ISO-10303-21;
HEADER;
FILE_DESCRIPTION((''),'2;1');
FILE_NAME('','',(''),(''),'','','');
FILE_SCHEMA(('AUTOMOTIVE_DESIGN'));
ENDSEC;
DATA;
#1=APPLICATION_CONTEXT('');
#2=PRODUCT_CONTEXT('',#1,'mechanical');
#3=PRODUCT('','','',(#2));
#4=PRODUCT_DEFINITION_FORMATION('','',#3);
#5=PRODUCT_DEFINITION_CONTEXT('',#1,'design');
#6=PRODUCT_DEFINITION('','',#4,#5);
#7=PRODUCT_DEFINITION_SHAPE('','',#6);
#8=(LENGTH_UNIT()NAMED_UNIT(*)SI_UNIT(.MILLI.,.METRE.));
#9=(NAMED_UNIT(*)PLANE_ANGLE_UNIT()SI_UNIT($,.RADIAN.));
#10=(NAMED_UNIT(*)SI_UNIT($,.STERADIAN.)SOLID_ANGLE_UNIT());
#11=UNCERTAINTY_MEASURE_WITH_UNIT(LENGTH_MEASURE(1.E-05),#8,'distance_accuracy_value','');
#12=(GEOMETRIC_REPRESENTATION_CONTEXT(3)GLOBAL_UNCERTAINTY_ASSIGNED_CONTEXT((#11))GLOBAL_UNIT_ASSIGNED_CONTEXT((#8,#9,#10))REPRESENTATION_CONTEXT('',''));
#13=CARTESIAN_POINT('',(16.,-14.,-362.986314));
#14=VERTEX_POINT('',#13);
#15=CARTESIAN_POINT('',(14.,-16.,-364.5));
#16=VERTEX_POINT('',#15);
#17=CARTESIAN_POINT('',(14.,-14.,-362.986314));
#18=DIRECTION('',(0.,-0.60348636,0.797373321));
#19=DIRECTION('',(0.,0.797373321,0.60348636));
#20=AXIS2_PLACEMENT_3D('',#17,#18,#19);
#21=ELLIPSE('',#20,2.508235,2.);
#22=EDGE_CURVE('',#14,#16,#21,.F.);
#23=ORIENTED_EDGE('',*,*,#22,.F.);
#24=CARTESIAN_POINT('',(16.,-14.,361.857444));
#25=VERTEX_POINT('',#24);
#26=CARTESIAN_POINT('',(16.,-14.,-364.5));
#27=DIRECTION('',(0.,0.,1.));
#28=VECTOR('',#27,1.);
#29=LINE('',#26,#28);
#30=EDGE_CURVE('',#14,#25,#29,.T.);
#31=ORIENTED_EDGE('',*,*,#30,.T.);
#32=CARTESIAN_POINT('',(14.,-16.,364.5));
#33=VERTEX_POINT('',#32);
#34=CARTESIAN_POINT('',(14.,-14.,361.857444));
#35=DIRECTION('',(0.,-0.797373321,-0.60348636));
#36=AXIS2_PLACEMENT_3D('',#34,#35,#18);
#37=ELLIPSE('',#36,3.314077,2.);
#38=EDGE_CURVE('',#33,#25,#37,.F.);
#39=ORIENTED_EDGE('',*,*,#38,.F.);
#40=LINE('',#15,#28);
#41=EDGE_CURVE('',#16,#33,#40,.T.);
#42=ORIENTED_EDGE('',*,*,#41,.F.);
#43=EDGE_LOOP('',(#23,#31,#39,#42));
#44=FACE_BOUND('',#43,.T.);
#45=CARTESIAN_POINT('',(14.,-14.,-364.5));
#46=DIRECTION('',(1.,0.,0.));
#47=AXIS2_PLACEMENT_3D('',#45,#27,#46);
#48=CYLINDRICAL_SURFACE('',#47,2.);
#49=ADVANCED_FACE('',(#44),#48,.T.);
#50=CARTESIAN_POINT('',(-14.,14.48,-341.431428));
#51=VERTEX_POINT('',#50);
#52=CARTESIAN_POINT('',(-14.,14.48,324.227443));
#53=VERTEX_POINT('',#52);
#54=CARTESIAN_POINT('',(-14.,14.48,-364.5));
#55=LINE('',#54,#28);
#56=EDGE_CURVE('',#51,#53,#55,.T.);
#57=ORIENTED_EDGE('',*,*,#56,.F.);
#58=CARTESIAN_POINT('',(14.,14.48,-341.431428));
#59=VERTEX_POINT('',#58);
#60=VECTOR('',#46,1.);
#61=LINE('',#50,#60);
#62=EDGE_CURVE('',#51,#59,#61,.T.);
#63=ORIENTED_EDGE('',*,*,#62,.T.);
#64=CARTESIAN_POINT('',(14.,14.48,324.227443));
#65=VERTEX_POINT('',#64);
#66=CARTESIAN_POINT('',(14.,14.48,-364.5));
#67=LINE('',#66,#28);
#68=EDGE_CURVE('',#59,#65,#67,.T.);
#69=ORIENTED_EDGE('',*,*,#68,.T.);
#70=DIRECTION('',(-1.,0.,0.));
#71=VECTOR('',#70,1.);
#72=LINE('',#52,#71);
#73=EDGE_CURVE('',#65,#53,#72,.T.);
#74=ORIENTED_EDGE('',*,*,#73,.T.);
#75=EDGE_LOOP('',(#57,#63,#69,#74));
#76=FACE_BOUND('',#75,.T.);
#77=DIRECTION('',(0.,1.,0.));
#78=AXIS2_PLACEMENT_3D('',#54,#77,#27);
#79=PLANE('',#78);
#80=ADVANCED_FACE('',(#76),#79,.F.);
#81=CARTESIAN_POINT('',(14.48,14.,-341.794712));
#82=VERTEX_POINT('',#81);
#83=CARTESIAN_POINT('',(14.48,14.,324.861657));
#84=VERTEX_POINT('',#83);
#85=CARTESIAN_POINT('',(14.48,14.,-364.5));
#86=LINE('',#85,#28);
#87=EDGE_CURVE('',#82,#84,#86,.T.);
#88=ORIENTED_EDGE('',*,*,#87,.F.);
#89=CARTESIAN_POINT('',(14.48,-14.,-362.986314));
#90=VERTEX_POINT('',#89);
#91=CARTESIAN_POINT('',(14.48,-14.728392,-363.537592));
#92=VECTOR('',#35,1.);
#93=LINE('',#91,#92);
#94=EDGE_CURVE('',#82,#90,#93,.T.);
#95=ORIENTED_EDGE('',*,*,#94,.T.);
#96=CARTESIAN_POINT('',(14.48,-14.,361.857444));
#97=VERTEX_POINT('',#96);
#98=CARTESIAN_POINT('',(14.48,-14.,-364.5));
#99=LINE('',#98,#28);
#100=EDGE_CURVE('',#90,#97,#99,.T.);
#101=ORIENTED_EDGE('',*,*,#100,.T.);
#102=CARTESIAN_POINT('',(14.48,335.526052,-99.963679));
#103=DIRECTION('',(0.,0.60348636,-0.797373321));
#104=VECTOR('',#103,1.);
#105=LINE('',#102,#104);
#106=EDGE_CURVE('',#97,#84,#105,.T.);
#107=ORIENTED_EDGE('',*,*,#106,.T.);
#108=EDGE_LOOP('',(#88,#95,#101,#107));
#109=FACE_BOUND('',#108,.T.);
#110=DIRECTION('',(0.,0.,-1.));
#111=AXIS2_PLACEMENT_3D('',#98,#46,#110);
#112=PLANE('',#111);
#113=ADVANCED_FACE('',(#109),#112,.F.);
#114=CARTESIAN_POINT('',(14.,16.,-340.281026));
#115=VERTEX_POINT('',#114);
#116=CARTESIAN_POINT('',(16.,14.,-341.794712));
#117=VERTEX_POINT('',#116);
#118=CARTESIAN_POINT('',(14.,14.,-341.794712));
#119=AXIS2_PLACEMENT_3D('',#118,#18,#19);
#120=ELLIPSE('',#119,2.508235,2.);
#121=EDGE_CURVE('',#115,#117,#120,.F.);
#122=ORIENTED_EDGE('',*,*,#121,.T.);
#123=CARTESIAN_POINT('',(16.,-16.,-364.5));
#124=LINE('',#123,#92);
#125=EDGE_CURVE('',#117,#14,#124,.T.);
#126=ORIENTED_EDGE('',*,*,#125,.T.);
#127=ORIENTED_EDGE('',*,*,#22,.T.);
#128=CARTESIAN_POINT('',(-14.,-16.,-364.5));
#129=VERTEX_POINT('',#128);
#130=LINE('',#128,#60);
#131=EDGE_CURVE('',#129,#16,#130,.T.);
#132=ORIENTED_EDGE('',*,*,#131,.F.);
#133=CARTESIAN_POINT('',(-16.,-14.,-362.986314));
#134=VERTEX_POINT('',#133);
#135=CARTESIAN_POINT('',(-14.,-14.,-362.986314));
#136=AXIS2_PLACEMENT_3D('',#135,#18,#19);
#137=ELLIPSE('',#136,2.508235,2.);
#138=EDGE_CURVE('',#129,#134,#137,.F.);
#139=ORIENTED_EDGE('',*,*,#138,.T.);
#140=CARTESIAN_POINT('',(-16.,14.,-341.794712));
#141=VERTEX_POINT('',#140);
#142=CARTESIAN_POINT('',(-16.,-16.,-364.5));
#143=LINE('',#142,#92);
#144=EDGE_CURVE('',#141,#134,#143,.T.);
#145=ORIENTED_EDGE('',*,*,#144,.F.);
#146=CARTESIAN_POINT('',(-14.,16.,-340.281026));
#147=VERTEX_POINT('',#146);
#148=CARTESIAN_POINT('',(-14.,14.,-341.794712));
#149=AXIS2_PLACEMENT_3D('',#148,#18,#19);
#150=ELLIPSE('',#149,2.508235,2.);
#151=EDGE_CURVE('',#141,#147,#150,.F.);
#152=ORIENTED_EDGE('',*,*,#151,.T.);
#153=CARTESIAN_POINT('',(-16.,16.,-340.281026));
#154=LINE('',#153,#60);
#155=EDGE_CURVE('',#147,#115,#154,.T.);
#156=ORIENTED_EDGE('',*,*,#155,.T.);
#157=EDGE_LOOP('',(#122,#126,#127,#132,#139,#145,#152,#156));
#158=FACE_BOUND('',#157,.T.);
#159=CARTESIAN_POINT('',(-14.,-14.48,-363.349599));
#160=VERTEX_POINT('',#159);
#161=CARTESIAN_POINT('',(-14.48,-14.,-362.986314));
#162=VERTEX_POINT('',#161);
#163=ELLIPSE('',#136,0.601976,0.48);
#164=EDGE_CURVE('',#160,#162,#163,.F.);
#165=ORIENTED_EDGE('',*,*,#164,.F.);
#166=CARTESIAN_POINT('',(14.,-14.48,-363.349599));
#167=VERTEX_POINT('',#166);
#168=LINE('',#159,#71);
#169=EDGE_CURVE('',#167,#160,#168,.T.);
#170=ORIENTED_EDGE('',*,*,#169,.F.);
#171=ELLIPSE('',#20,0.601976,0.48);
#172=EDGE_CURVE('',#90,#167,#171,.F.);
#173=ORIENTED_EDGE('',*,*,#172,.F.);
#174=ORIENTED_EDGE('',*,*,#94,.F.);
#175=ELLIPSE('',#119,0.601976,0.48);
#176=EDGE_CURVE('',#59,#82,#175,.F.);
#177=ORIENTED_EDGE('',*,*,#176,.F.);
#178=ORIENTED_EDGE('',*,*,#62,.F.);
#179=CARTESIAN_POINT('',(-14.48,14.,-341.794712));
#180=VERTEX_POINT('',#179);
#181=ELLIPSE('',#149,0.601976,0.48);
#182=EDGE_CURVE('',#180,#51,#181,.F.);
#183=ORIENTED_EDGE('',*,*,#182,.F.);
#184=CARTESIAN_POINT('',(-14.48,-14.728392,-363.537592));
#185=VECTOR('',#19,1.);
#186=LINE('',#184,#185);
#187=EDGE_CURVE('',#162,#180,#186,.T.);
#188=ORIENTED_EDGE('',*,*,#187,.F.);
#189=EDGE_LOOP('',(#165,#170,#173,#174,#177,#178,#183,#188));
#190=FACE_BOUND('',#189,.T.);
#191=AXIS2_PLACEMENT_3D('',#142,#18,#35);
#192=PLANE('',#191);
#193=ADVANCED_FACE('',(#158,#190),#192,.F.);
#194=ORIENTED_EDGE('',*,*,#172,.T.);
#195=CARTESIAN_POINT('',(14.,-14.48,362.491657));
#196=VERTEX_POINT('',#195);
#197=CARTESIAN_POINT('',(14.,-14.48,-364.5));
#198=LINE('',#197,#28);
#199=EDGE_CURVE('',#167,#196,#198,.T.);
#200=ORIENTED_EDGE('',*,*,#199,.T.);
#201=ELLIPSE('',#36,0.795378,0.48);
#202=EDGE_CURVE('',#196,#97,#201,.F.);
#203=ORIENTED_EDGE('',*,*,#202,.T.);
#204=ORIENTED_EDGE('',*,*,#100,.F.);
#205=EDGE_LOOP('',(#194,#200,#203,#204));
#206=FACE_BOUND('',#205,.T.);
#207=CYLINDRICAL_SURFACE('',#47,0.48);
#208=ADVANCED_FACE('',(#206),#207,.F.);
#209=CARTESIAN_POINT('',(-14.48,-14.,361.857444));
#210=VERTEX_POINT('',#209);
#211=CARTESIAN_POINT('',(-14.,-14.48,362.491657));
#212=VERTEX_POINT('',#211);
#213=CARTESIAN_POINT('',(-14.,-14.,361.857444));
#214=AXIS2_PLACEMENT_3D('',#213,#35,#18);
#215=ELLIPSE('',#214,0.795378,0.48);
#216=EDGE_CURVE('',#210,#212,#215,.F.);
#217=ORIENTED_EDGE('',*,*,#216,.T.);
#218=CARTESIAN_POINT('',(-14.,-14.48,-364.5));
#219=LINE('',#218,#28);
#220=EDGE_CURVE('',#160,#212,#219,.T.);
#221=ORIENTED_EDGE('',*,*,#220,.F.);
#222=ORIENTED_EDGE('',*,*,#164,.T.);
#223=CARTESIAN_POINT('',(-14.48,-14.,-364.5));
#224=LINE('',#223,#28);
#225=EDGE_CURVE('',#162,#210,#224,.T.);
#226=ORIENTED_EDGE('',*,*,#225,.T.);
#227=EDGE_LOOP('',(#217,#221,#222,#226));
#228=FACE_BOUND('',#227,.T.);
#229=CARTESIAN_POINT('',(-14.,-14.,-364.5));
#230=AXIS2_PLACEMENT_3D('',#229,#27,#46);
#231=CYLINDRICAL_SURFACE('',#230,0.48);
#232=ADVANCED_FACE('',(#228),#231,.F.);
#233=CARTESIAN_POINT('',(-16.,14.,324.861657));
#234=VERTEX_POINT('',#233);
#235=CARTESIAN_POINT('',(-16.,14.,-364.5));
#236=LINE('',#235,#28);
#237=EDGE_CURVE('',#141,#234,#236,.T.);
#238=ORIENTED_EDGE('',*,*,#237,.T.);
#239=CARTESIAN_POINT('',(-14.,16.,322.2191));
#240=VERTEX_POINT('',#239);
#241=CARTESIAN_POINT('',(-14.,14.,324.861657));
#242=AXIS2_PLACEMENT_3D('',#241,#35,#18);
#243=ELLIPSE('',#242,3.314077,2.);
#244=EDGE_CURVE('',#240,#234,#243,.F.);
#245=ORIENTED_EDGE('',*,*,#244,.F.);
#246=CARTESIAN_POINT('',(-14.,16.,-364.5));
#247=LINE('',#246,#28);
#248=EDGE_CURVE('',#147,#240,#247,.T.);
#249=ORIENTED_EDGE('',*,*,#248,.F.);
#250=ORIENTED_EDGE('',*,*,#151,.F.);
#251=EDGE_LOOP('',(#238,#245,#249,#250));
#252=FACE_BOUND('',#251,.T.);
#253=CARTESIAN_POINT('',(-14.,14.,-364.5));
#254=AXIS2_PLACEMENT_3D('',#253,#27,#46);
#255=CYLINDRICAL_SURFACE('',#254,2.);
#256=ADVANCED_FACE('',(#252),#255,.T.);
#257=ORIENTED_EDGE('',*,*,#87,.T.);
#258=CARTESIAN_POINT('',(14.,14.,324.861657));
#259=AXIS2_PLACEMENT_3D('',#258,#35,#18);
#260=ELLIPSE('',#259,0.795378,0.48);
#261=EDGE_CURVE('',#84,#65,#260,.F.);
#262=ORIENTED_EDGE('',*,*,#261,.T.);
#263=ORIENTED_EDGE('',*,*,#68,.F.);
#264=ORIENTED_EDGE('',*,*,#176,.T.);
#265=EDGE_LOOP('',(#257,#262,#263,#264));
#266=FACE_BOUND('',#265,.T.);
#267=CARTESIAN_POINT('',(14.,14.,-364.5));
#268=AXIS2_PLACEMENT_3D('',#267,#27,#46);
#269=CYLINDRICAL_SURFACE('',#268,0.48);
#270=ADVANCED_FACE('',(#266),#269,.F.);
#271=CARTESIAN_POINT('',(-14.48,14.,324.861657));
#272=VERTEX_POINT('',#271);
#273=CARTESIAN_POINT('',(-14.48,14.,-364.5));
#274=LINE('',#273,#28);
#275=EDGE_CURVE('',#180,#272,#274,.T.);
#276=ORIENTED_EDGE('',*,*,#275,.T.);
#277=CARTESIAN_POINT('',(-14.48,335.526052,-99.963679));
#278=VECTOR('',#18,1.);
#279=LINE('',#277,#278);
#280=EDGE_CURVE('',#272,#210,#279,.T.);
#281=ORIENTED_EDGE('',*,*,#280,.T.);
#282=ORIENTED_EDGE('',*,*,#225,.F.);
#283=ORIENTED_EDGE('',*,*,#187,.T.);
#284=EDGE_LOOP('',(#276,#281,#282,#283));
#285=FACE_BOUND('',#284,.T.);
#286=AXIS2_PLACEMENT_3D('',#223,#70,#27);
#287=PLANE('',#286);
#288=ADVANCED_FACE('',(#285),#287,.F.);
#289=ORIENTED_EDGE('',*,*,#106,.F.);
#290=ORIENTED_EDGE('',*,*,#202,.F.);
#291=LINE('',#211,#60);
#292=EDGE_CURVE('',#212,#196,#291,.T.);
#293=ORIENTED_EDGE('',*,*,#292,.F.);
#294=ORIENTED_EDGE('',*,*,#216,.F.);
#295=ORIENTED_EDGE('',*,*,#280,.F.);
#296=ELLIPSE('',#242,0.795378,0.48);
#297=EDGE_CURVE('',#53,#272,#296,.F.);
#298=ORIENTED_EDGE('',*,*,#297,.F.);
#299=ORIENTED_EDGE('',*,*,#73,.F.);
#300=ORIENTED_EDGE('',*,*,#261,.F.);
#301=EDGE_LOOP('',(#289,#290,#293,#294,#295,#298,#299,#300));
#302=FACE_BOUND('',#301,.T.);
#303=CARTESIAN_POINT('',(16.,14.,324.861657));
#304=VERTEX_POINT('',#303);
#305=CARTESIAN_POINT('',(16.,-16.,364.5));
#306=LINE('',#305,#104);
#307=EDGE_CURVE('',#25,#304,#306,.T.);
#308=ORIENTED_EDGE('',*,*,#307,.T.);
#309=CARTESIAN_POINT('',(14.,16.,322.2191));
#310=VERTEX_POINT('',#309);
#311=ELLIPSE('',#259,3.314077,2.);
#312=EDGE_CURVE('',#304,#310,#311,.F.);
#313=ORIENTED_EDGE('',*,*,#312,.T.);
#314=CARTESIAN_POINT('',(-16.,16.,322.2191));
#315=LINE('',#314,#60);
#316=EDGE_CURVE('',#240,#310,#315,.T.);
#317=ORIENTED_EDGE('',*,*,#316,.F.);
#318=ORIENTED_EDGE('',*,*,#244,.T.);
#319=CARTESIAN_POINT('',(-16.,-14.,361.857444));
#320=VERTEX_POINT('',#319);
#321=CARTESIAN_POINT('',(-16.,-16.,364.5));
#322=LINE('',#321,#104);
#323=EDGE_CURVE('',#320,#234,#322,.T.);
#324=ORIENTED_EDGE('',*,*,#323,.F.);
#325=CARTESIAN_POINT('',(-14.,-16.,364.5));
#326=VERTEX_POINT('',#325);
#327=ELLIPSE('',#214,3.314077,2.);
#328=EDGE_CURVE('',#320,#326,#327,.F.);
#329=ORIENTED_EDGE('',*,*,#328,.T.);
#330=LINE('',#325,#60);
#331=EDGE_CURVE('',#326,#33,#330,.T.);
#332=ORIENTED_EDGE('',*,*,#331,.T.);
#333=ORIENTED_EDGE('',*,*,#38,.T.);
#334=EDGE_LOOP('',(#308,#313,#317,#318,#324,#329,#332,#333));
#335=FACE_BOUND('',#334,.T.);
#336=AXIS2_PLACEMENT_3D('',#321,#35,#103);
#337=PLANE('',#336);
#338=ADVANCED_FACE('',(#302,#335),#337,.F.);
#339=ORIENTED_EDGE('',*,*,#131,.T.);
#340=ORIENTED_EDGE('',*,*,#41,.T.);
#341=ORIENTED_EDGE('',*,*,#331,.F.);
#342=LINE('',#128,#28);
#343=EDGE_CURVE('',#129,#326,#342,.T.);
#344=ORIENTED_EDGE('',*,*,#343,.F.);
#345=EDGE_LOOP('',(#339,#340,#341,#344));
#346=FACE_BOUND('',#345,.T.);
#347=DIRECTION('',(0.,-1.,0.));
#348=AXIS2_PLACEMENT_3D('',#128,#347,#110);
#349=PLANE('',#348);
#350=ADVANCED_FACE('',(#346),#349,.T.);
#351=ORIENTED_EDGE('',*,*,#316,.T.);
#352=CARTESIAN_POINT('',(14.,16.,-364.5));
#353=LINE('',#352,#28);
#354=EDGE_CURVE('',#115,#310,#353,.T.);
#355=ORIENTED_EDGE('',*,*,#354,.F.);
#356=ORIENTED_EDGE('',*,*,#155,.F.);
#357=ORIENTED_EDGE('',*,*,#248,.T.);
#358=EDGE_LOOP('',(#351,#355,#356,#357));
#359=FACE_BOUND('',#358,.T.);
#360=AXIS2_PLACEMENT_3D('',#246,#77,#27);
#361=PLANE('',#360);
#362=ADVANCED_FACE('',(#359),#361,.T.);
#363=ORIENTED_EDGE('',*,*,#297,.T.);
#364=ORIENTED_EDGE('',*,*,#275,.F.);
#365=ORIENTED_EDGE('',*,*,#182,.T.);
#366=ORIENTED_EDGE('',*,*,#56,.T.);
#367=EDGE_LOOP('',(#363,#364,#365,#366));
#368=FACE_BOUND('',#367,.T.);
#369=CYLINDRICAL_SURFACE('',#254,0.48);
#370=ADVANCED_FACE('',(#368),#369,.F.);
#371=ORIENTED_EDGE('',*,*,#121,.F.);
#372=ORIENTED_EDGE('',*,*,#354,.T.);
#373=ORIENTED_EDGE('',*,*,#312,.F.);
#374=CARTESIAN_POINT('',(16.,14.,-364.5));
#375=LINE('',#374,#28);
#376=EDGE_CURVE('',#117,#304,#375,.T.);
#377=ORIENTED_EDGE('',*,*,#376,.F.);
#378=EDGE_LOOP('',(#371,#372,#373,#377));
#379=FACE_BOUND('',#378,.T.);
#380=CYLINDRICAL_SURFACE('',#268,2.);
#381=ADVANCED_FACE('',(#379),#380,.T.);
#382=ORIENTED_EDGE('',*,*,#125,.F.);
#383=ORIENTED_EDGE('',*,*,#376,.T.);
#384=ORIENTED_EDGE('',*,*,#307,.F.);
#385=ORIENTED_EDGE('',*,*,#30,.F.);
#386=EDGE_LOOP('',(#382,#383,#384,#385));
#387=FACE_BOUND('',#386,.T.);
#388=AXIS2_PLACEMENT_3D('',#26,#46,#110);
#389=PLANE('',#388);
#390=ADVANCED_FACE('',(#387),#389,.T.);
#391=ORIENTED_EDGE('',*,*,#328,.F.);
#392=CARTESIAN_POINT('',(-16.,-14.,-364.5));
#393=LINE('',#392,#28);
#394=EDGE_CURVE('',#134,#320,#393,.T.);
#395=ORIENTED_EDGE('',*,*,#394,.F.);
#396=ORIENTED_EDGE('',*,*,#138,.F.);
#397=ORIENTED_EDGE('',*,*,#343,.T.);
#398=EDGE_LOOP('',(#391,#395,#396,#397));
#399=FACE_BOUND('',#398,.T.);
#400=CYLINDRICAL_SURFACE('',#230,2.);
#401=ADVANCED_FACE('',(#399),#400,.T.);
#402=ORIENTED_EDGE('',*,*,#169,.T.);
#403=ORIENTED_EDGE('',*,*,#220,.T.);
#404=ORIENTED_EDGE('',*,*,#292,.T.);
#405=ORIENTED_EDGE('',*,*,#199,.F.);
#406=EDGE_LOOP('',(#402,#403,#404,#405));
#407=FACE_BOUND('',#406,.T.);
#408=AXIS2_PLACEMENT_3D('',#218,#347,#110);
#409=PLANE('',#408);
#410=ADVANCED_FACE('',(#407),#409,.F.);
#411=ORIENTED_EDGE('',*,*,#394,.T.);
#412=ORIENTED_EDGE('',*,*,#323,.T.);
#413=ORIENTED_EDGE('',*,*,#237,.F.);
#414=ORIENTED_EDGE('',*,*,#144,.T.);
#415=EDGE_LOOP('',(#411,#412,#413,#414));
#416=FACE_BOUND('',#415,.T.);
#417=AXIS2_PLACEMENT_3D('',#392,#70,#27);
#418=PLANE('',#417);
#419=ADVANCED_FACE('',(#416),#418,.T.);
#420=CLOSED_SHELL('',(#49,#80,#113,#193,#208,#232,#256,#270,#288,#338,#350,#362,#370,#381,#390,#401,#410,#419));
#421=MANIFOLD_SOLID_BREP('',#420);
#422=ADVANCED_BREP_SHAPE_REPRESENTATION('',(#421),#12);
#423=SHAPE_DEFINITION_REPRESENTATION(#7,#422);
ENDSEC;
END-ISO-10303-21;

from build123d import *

# Parameters (mm, degrees)
BOSS_EXTRUDE1_DEPTH      = 364.5
BOSS_EXTRUDE1_DEPTH_BACK = 364.5
CUT_EXTRUDE1_DEPTH       = 367.251621157
CUT_EXTRUDE2_DEPTH       = 367.251621157


with BuildPart() as part:
    # Sketch1 → Boss-Extrude1 (new, two sides: drawn at the far end of the back side and taken through both)
    with BuildSketch(Plane.XY.offset(-BOSS_EXTRUDE1_DEPTH_BACK)):
        with BuildLine():
            Line((-14, -16), (14, -16))
            ThreePointArc((14, -16), (15.414213562, -15.414213562), (16, -14))
            Line((16, -14), (16, 14))
            ThreePointArc((16, 14), (15.414213562, 15.414213562), (14, 16))
            Line((14, 16), (-14, 16))
            ThreePointArc((-14, 16), (-15.414213562, 15.414213562), (-16, 14))
            Line((-16, 14), (-16, -14))
            ThreePointArc((-16, -14), (-15.414213562, -15.414213562), (-14, -16))
        make_face()
        with BuildLine():
            Line((-14, 14.48), (14, 14.48))
            ThreePointArc((14, 14.48), (14.339411255, 14.339411255), (14.48, 14))
            Line((14.48, 14), (14.48, -14))
            ThreePointArc((14.48, -14), (14.339411255, -14.339411255), (14, -14.48))
            Line((14, -14.48), (-14, -14.48))
            ThreePointArc((-14, -14.48), (-14.339411255, -14.339411255), (-14.48, -14))
            Line((-14.48, -14), (-14.48, 14))
            ThreePointArc((-14.48, 14), (-14.339411255, 14.339411255), (-14, 14.48))
        make_face(mode=Mode.SUBTRACT)
    extrude(amount=BOSS_EXTRUDE1_DEPTH + BOSS_EXTRUDE1_DEPTH_BACK)

    # Sketch2 → Cut-Extrude1 (cut, through all)
    with BuildSketch(Plane(origin=(16, 0, 0), x_dir=(0, 0, -1), z_dir=(1, 0, 0))):
        Polygon((-364.5, -16), (-364.5, 16), (-322.219100301, 16), align=None)
    extrude(amount=-CUT_EXTRUDE1_DEPTH, mode=Mode.SUBTRACT)

    # Sketch3 → Cut-Extrude2 (cut, through all)
    with BuildSketch(Plane(origin=(16, 0, 0), x_dir=(0, 0, -1), z_dir=(1, 0, 0))):
        Polygon((364.5, 16), (364.5, -16), (340.281026249, 16), align=None)
    extrude(amount=-CUT_EXTRUDE2_DEPTH, mode=Mode.SUBTRACT)


solid = part.part
